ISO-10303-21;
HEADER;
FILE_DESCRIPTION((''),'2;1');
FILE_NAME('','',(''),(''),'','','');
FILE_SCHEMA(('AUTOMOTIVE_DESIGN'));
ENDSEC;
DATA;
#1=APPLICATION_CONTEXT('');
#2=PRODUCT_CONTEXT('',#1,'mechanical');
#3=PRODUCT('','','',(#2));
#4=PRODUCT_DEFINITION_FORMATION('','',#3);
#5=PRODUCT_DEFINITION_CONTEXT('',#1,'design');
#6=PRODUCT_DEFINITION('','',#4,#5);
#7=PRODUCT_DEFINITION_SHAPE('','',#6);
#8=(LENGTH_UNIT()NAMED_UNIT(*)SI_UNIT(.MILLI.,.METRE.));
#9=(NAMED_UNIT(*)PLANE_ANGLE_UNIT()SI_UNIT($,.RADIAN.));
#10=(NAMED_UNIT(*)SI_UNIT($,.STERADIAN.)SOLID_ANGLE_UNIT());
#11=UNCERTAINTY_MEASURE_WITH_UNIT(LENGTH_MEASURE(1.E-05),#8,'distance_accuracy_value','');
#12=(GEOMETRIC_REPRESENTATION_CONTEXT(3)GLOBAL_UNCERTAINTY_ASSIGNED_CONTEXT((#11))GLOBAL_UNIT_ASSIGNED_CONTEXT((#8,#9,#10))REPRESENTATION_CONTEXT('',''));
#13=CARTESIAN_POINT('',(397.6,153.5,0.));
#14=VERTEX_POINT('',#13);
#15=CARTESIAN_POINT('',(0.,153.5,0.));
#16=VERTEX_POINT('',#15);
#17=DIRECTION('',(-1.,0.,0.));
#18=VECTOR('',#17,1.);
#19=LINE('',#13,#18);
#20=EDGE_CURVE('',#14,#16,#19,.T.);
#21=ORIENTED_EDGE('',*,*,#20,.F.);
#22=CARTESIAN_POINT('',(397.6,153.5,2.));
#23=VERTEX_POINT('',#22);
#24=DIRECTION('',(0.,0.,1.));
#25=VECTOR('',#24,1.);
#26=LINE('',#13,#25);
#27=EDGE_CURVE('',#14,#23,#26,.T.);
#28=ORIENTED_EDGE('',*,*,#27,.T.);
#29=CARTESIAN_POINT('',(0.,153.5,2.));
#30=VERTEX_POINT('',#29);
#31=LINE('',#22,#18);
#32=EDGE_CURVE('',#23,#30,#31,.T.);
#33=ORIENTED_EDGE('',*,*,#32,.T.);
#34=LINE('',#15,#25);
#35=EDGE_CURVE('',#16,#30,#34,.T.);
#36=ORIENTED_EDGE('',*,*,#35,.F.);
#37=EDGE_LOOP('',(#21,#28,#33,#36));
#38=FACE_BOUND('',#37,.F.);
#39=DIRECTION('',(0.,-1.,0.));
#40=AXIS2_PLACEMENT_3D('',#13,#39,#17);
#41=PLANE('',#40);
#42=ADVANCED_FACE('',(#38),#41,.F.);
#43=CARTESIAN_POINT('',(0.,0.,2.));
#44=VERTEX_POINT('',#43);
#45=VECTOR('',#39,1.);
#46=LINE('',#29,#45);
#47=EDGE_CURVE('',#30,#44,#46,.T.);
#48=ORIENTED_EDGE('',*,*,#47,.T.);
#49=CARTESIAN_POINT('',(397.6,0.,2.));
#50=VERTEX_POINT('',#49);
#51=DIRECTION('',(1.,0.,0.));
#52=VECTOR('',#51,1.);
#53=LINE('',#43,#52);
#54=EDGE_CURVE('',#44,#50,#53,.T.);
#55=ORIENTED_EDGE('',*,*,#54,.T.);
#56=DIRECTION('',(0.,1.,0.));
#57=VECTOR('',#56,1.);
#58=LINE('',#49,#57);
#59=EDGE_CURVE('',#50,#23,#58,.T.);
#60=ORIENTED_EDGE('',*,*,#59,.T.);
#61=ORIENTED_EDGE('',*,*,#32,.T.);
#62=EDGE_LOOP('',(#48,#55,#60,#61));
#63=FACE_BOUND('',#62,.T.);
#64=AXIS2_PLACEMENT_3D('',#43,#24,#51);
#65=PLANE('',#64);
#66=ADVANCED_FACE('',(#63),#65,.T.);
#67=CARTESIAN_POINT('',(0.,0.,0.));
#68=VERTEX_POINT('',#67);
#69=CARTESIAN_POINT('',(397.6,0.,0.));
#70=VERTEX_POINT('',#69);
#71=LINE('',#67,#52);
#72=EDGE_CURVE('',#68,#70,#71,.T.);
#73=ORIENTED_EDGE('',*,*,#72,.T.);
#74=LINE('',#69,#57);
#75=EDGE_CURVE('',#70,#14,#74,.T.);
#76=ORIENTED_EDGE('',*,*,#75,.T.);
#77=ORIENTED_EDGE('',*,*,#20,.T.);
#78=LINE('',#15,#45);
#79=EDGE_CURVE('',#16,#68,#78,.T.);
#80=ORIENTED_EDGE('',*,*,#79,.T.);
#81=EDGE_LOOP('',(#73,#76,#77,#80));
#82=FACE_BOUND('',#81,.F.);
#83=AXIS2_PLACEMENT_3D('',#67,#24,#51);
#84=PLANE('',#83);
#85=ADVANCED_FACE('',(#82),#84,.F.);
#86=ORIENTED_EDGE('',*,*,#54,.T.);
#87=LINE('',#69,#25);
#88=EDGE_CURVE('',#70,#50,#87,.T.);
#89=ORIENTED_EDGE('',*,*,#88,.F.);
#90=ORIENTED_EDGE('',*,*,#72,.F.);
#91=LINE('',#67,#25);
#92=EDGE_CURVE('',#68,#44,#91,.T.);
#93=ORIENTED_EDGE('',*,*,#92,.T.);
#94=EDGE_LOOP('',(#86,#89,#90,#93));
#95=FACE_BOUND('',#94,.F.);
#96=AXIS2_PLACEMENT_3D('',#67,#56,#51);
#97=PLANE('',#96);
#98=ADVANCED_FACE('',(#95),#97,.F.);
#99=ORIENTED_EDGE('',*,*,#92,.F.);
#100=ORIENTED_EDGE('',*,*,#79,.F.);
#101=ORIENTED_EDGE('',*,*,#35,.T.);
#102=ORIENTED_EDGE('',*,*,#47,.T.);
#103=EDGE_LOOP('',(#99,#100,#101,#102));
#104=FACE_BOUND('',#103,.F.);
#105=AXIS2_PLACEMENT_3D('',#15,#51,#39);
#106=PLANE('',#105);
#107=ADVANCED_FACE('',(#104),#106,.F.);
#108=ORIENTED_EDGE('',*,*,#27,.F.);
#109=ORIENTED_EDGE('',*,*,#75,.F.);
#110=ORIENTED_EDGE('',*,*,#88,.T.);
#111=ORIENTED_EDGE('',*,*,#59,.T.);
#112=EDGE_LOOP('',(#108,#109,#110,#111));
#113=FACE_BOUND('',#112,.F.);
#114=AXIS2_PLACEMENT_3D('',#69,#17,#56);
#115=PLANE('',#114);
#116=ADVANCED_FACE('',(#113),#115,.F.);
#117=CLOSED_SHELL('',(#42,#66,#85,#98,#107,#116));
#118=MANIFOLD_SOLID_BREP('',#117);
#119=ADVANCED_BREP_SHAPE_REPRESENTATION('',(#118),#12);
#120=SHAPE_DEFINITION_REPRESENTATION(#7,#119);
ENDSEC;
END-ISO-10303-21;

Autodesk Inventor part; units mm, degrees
ref_plane "YZ Plane" through (0, 0, 0) normal (1, 0, 0) x (0, 1, 0)
ref_plane "XZ Plane" through (0, 0, 0) normal (0, 1, 0) x (-1, 0, 0)
ref_plane "XY Plane" through (0, 0, 0) normal (0, 0, 1) x (1, 0, 0)
sketch "Skizze1" plane through (0, 0, 0) normal (0, 0, 1) x (1, 0, 0)
  line L0 (0, 0) -> (397.6, 0)
  line L1 (397.6, 0) -> (397.6, 153.5)
  line L2 (397.6, 153.5) -> (0, 153.5)
  line L3 (0, 153.5) -> (0, 0)
  dimension "d0" = 397.6
  dimension "d1" = 153.5
extrude "Extrusion1" add sketch "Skizze1" along normal blind 2
properties part number "Scheibe" material "PMMA-Kunststoff"
